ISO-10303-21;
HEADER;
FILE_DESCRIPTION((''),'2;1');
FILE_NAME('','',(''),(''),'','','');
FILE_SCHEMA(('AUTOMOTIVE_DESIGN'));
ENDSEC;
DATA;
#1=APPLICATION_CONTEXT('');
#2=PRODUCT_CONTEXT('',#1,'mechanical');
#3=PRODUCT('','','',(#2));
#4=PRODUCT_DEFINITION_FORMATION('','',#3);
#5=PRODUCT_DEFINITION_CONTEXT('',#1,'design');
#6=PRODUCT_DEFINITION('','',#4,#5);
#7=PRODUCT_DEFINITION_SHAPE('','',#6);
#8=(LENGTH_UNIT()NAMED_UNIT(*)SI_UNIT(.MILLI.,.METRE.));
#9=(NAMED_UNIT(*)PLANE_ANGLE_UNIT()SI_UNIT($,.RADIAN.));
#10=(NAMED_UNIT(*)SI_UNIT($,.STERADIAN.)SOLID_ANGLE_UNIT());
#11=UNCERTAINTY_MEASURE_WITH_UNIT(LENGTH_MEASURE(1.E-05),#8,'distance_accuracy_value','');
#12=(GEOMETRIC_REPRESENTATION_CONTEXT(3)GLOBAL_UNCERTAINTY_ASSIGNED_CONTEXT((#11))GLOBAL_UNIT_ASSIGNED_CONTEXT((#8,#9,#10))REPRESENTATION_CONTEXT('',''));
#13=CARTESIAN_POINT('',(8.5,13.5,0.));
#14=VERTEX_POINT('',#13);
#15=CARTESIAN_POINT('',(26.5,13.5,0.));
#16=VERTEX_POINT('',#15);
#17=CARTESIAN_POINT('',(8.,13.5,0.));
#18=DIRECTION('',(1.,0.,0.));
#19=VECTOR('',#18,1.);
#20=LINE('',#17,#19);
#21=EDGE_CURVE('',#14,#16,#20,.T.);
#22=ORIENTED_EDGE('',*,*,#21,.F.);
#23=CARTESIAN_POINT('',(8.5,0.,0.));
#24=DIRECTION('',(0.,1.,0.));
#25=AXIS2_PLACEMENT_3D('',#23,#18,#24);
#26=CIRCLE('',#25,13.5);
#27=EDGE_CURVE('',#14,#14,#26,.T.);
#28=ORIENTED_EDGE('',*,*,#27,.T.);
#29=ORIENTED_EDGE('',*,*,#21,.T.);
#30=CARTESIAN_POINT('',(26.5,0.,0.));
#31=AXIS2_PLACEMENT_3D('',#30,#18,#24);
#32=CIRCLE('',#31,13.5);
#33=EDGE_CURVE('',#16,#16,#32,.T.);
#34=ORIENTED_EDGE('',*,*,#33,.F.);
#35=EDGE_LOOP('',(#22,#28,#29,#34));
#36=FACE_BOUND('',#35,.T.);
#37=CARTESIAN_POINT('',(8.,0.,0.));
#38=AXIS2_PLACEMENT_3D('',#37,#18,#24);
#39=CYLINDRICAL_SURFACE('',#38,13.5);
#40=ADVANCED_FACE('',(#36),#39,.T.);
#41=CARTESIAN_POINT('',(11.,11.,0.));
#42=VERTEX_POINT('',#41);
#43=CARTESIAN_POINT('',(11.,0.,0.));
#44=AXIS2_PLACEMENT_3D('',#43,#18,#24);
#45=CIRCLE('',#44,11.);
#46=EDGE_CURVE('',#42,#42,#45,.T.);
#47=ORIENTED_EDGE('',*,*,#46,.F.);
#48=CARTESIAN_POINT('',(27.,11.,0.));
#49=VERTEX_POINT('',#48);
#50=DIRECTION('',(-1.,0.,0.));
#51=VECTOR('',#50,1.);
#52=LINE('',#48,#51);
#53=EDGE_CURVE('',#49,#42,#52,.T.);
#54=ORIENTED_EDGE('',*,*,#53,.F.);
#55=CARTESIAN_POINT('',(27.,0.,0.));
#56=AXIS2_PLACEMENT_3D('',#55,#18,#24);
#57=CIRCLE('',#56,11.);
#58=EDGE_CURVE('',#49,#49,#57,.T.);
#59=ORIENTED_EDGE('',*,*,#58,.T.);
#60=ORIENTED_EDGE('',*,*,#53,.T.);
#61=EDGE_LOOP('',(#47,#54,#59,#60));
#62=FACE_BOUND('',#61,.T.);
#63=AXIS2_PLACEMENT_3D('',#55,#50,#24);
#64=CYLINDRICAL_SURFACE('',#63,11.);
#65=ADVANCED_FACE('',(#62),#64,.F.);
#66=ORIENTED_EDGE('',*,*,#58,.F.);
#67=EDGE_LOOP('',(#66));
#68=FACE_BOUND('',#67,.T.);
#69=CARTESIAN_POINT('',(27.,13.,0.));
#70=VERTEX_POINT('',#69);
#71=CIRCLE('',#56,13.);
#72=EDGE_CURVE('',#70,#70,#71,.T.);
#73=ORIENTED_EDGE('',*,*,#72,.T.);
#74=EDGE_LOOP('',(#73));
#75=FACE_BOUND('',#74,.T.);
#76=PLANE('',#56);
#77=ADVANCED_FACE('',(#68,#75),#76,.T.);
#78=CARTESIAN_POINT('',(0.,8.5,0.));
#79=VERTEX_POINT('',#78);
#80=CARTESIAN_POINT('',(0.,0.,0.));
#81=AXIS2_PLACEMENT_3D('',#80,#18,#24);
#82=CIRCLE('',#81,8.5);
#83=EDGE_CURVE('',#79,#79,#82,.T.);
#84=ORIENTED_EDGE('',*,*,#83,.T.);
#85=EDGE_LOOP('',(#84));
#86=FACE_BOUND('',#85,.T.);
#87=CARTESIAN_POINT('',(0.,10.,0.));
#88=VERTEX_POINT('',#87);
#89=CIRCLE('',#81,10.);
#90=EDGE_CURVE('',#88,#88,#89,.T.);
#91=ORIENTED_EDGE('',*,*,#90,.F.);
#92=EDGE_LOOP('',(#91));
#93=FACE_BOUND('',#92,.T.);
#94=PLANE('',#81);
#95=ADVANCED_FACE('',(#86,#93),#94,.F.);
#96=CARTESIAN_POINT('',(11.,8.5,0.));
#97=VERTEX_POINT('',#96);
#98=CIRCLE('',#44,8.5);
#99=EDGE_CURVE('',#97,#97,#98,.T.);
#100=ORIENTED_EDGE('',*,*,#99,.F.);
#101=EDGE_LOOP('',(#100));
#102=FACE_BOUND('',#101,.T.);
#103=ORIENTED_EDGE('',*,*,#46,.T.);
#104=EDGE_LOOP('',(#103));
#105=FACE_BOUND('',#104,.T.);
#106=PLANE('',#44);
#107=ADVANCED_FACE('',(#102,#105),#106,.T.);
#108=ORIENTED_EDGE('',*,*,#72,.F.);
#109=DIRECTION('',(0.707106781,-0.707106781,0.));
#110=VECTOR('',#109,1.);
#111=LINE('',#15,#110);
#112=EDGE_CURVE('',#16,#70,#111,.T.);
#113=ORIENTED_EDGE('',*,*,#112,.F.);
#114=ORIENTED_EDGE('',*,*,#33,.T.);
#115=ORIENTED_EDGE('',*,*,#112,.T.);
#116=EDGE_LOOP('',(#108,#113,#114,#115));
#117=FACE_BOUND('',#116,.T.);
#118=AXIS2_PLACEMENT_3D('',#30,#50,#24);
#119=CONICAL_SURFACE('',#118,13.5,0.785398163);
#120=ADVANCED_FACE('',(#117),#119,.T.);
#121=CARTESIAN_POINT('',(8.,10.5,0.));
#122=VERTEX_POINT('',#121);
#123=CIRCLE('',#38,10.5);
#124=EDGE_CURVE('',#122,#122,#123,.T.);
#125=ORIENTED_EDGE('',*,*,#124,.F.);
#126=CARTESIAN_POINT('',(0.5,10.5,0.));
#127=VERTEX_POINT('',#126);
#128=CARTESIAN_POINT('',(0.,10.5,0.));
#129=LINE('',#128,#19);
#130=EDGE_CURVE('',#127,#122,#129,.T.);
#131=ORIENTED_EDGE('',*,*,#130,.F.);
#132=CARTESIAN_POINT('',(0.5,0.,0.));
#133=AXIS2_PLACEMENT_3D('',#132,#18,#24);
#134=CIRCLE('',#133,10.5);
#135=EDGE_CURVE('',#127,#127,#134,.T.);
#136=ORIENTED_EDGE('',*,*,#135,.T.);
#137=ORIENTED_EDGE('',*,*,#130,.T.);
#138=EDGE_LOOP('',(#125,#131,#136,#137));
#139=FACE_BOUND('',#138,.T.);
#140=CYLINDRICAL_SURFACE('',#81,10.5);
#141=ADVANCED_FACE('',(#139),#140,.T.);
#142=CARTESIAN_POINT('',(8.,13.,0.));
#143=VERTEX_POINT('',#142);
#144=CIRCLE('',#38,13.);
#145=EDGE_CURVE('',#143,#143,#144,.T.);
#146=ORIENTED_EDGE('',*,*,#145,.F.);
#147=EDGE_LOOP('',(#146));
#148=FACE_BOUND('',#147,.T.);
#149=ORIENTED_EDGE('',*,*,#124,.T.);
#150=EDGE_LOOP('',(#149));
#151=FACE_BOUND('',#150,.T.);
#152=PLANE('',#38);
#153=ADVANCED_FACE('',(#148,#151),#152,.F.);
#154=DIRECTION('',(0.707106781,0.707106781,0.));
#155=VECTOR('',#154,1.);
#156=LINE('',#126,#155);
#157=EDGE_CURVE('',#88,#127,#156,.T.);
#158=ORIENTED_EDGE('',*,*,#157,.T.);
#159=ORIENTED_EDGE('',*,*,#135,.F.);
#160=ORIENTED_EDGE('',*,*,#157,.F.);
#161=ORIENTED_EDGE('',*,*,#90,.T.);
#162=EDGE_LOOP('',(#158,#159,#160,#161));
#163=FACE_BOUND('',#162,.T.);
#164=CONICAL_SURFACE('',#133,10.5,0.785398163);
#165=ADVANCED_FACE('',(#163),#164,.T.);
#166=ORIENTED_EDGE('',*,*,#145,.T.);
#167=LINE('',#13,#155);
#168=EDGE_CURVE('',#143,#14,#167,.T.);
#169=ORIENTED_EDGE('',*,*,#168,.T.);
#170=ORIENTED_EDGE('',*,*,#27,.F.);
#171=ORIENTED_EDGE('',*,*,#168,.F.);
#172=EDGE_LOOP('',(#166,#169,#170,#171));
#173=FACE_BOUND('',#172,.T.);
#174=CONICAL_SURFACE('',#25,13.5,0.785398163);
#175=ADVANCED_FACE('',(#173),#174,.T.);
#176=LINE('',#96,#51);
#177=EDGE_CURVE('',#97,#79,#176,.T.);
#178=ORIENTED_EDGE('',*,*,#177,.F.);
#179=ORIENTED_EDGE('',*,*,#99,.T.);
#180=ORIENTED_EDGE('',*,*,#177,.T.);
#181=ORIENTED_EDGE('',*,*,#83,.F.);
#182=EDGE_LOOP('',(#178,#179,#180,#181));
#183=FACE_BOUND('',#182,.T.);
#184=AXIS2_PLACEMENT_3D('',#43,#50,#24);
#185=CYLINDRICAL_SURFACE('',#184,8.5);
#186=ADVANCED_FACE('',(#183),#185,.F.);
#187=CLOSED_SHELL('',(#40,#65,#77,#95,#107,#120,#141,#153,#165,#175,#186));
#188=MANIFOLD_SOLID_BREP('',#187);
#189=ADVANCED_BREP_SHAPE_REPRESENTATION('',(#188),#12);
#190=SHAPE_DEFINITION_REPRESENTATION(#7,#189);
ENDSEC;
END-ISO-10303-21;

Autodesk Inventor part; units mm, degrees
ref_plane "YZ Plane" through (0, 0, 0) normal (1, 0, 0) x (0, 1, 0)
ref_plane "XZ Plane" through (0, 0, 0) normal (0, 1, 0) x (-1, 0, 0)
ref_plane "XY Plane" through (0, 0, 0) normal (0, 0, 1) x (1, 0, 0)
sketch "Sketch1" plane through (0, 0, 0) normal (0, 0, 1) x (1, 0, 0)
  line L0 (0, 0) -> (5, 0)
  line L1 (0, 8.5) -> (0, 10.5)
  line L2 (0, 10.5) -> (8, 10.5)
  line L3 (8, 10.5) -> (8, 13.5)
  line L4 (8, 13.5) -> (27, 13.5)
  line L5 (27, 13.5) -> (27, 11)
  line L6 (27, 11) -> (11, 11)
  line L7 (11, 11) -> (11, 8.5)
  line L8 (11, 8.5) -> (0, 8.5)
  dimension "d0" = 5
  dimension "d1" = 8.5
  dimension "d2" = 2
  dimension "d3" = 8
  dimension "d4" = 3
  dimension "d5" = 19
  dimension "d6" = 2.5
  dimension "d7" = 16
  dimension "d8" = 11
  dimension "d15" = 3
revolve "Revolution1" add sketch "Sketch1" angle 360 about axis through (0, 0, 0) along (1, 0, 0)
chamfer "Chamfer1" distance 0.5 angle 45 3 edges at (27, -13.5, 0) (8, -13.5, 0) (0, -10.5, 0)
thread "Thread1" size "M16x1" class "6H" standard "ANSI Metric M Profile" full length
properties part number "logement roue libre"
